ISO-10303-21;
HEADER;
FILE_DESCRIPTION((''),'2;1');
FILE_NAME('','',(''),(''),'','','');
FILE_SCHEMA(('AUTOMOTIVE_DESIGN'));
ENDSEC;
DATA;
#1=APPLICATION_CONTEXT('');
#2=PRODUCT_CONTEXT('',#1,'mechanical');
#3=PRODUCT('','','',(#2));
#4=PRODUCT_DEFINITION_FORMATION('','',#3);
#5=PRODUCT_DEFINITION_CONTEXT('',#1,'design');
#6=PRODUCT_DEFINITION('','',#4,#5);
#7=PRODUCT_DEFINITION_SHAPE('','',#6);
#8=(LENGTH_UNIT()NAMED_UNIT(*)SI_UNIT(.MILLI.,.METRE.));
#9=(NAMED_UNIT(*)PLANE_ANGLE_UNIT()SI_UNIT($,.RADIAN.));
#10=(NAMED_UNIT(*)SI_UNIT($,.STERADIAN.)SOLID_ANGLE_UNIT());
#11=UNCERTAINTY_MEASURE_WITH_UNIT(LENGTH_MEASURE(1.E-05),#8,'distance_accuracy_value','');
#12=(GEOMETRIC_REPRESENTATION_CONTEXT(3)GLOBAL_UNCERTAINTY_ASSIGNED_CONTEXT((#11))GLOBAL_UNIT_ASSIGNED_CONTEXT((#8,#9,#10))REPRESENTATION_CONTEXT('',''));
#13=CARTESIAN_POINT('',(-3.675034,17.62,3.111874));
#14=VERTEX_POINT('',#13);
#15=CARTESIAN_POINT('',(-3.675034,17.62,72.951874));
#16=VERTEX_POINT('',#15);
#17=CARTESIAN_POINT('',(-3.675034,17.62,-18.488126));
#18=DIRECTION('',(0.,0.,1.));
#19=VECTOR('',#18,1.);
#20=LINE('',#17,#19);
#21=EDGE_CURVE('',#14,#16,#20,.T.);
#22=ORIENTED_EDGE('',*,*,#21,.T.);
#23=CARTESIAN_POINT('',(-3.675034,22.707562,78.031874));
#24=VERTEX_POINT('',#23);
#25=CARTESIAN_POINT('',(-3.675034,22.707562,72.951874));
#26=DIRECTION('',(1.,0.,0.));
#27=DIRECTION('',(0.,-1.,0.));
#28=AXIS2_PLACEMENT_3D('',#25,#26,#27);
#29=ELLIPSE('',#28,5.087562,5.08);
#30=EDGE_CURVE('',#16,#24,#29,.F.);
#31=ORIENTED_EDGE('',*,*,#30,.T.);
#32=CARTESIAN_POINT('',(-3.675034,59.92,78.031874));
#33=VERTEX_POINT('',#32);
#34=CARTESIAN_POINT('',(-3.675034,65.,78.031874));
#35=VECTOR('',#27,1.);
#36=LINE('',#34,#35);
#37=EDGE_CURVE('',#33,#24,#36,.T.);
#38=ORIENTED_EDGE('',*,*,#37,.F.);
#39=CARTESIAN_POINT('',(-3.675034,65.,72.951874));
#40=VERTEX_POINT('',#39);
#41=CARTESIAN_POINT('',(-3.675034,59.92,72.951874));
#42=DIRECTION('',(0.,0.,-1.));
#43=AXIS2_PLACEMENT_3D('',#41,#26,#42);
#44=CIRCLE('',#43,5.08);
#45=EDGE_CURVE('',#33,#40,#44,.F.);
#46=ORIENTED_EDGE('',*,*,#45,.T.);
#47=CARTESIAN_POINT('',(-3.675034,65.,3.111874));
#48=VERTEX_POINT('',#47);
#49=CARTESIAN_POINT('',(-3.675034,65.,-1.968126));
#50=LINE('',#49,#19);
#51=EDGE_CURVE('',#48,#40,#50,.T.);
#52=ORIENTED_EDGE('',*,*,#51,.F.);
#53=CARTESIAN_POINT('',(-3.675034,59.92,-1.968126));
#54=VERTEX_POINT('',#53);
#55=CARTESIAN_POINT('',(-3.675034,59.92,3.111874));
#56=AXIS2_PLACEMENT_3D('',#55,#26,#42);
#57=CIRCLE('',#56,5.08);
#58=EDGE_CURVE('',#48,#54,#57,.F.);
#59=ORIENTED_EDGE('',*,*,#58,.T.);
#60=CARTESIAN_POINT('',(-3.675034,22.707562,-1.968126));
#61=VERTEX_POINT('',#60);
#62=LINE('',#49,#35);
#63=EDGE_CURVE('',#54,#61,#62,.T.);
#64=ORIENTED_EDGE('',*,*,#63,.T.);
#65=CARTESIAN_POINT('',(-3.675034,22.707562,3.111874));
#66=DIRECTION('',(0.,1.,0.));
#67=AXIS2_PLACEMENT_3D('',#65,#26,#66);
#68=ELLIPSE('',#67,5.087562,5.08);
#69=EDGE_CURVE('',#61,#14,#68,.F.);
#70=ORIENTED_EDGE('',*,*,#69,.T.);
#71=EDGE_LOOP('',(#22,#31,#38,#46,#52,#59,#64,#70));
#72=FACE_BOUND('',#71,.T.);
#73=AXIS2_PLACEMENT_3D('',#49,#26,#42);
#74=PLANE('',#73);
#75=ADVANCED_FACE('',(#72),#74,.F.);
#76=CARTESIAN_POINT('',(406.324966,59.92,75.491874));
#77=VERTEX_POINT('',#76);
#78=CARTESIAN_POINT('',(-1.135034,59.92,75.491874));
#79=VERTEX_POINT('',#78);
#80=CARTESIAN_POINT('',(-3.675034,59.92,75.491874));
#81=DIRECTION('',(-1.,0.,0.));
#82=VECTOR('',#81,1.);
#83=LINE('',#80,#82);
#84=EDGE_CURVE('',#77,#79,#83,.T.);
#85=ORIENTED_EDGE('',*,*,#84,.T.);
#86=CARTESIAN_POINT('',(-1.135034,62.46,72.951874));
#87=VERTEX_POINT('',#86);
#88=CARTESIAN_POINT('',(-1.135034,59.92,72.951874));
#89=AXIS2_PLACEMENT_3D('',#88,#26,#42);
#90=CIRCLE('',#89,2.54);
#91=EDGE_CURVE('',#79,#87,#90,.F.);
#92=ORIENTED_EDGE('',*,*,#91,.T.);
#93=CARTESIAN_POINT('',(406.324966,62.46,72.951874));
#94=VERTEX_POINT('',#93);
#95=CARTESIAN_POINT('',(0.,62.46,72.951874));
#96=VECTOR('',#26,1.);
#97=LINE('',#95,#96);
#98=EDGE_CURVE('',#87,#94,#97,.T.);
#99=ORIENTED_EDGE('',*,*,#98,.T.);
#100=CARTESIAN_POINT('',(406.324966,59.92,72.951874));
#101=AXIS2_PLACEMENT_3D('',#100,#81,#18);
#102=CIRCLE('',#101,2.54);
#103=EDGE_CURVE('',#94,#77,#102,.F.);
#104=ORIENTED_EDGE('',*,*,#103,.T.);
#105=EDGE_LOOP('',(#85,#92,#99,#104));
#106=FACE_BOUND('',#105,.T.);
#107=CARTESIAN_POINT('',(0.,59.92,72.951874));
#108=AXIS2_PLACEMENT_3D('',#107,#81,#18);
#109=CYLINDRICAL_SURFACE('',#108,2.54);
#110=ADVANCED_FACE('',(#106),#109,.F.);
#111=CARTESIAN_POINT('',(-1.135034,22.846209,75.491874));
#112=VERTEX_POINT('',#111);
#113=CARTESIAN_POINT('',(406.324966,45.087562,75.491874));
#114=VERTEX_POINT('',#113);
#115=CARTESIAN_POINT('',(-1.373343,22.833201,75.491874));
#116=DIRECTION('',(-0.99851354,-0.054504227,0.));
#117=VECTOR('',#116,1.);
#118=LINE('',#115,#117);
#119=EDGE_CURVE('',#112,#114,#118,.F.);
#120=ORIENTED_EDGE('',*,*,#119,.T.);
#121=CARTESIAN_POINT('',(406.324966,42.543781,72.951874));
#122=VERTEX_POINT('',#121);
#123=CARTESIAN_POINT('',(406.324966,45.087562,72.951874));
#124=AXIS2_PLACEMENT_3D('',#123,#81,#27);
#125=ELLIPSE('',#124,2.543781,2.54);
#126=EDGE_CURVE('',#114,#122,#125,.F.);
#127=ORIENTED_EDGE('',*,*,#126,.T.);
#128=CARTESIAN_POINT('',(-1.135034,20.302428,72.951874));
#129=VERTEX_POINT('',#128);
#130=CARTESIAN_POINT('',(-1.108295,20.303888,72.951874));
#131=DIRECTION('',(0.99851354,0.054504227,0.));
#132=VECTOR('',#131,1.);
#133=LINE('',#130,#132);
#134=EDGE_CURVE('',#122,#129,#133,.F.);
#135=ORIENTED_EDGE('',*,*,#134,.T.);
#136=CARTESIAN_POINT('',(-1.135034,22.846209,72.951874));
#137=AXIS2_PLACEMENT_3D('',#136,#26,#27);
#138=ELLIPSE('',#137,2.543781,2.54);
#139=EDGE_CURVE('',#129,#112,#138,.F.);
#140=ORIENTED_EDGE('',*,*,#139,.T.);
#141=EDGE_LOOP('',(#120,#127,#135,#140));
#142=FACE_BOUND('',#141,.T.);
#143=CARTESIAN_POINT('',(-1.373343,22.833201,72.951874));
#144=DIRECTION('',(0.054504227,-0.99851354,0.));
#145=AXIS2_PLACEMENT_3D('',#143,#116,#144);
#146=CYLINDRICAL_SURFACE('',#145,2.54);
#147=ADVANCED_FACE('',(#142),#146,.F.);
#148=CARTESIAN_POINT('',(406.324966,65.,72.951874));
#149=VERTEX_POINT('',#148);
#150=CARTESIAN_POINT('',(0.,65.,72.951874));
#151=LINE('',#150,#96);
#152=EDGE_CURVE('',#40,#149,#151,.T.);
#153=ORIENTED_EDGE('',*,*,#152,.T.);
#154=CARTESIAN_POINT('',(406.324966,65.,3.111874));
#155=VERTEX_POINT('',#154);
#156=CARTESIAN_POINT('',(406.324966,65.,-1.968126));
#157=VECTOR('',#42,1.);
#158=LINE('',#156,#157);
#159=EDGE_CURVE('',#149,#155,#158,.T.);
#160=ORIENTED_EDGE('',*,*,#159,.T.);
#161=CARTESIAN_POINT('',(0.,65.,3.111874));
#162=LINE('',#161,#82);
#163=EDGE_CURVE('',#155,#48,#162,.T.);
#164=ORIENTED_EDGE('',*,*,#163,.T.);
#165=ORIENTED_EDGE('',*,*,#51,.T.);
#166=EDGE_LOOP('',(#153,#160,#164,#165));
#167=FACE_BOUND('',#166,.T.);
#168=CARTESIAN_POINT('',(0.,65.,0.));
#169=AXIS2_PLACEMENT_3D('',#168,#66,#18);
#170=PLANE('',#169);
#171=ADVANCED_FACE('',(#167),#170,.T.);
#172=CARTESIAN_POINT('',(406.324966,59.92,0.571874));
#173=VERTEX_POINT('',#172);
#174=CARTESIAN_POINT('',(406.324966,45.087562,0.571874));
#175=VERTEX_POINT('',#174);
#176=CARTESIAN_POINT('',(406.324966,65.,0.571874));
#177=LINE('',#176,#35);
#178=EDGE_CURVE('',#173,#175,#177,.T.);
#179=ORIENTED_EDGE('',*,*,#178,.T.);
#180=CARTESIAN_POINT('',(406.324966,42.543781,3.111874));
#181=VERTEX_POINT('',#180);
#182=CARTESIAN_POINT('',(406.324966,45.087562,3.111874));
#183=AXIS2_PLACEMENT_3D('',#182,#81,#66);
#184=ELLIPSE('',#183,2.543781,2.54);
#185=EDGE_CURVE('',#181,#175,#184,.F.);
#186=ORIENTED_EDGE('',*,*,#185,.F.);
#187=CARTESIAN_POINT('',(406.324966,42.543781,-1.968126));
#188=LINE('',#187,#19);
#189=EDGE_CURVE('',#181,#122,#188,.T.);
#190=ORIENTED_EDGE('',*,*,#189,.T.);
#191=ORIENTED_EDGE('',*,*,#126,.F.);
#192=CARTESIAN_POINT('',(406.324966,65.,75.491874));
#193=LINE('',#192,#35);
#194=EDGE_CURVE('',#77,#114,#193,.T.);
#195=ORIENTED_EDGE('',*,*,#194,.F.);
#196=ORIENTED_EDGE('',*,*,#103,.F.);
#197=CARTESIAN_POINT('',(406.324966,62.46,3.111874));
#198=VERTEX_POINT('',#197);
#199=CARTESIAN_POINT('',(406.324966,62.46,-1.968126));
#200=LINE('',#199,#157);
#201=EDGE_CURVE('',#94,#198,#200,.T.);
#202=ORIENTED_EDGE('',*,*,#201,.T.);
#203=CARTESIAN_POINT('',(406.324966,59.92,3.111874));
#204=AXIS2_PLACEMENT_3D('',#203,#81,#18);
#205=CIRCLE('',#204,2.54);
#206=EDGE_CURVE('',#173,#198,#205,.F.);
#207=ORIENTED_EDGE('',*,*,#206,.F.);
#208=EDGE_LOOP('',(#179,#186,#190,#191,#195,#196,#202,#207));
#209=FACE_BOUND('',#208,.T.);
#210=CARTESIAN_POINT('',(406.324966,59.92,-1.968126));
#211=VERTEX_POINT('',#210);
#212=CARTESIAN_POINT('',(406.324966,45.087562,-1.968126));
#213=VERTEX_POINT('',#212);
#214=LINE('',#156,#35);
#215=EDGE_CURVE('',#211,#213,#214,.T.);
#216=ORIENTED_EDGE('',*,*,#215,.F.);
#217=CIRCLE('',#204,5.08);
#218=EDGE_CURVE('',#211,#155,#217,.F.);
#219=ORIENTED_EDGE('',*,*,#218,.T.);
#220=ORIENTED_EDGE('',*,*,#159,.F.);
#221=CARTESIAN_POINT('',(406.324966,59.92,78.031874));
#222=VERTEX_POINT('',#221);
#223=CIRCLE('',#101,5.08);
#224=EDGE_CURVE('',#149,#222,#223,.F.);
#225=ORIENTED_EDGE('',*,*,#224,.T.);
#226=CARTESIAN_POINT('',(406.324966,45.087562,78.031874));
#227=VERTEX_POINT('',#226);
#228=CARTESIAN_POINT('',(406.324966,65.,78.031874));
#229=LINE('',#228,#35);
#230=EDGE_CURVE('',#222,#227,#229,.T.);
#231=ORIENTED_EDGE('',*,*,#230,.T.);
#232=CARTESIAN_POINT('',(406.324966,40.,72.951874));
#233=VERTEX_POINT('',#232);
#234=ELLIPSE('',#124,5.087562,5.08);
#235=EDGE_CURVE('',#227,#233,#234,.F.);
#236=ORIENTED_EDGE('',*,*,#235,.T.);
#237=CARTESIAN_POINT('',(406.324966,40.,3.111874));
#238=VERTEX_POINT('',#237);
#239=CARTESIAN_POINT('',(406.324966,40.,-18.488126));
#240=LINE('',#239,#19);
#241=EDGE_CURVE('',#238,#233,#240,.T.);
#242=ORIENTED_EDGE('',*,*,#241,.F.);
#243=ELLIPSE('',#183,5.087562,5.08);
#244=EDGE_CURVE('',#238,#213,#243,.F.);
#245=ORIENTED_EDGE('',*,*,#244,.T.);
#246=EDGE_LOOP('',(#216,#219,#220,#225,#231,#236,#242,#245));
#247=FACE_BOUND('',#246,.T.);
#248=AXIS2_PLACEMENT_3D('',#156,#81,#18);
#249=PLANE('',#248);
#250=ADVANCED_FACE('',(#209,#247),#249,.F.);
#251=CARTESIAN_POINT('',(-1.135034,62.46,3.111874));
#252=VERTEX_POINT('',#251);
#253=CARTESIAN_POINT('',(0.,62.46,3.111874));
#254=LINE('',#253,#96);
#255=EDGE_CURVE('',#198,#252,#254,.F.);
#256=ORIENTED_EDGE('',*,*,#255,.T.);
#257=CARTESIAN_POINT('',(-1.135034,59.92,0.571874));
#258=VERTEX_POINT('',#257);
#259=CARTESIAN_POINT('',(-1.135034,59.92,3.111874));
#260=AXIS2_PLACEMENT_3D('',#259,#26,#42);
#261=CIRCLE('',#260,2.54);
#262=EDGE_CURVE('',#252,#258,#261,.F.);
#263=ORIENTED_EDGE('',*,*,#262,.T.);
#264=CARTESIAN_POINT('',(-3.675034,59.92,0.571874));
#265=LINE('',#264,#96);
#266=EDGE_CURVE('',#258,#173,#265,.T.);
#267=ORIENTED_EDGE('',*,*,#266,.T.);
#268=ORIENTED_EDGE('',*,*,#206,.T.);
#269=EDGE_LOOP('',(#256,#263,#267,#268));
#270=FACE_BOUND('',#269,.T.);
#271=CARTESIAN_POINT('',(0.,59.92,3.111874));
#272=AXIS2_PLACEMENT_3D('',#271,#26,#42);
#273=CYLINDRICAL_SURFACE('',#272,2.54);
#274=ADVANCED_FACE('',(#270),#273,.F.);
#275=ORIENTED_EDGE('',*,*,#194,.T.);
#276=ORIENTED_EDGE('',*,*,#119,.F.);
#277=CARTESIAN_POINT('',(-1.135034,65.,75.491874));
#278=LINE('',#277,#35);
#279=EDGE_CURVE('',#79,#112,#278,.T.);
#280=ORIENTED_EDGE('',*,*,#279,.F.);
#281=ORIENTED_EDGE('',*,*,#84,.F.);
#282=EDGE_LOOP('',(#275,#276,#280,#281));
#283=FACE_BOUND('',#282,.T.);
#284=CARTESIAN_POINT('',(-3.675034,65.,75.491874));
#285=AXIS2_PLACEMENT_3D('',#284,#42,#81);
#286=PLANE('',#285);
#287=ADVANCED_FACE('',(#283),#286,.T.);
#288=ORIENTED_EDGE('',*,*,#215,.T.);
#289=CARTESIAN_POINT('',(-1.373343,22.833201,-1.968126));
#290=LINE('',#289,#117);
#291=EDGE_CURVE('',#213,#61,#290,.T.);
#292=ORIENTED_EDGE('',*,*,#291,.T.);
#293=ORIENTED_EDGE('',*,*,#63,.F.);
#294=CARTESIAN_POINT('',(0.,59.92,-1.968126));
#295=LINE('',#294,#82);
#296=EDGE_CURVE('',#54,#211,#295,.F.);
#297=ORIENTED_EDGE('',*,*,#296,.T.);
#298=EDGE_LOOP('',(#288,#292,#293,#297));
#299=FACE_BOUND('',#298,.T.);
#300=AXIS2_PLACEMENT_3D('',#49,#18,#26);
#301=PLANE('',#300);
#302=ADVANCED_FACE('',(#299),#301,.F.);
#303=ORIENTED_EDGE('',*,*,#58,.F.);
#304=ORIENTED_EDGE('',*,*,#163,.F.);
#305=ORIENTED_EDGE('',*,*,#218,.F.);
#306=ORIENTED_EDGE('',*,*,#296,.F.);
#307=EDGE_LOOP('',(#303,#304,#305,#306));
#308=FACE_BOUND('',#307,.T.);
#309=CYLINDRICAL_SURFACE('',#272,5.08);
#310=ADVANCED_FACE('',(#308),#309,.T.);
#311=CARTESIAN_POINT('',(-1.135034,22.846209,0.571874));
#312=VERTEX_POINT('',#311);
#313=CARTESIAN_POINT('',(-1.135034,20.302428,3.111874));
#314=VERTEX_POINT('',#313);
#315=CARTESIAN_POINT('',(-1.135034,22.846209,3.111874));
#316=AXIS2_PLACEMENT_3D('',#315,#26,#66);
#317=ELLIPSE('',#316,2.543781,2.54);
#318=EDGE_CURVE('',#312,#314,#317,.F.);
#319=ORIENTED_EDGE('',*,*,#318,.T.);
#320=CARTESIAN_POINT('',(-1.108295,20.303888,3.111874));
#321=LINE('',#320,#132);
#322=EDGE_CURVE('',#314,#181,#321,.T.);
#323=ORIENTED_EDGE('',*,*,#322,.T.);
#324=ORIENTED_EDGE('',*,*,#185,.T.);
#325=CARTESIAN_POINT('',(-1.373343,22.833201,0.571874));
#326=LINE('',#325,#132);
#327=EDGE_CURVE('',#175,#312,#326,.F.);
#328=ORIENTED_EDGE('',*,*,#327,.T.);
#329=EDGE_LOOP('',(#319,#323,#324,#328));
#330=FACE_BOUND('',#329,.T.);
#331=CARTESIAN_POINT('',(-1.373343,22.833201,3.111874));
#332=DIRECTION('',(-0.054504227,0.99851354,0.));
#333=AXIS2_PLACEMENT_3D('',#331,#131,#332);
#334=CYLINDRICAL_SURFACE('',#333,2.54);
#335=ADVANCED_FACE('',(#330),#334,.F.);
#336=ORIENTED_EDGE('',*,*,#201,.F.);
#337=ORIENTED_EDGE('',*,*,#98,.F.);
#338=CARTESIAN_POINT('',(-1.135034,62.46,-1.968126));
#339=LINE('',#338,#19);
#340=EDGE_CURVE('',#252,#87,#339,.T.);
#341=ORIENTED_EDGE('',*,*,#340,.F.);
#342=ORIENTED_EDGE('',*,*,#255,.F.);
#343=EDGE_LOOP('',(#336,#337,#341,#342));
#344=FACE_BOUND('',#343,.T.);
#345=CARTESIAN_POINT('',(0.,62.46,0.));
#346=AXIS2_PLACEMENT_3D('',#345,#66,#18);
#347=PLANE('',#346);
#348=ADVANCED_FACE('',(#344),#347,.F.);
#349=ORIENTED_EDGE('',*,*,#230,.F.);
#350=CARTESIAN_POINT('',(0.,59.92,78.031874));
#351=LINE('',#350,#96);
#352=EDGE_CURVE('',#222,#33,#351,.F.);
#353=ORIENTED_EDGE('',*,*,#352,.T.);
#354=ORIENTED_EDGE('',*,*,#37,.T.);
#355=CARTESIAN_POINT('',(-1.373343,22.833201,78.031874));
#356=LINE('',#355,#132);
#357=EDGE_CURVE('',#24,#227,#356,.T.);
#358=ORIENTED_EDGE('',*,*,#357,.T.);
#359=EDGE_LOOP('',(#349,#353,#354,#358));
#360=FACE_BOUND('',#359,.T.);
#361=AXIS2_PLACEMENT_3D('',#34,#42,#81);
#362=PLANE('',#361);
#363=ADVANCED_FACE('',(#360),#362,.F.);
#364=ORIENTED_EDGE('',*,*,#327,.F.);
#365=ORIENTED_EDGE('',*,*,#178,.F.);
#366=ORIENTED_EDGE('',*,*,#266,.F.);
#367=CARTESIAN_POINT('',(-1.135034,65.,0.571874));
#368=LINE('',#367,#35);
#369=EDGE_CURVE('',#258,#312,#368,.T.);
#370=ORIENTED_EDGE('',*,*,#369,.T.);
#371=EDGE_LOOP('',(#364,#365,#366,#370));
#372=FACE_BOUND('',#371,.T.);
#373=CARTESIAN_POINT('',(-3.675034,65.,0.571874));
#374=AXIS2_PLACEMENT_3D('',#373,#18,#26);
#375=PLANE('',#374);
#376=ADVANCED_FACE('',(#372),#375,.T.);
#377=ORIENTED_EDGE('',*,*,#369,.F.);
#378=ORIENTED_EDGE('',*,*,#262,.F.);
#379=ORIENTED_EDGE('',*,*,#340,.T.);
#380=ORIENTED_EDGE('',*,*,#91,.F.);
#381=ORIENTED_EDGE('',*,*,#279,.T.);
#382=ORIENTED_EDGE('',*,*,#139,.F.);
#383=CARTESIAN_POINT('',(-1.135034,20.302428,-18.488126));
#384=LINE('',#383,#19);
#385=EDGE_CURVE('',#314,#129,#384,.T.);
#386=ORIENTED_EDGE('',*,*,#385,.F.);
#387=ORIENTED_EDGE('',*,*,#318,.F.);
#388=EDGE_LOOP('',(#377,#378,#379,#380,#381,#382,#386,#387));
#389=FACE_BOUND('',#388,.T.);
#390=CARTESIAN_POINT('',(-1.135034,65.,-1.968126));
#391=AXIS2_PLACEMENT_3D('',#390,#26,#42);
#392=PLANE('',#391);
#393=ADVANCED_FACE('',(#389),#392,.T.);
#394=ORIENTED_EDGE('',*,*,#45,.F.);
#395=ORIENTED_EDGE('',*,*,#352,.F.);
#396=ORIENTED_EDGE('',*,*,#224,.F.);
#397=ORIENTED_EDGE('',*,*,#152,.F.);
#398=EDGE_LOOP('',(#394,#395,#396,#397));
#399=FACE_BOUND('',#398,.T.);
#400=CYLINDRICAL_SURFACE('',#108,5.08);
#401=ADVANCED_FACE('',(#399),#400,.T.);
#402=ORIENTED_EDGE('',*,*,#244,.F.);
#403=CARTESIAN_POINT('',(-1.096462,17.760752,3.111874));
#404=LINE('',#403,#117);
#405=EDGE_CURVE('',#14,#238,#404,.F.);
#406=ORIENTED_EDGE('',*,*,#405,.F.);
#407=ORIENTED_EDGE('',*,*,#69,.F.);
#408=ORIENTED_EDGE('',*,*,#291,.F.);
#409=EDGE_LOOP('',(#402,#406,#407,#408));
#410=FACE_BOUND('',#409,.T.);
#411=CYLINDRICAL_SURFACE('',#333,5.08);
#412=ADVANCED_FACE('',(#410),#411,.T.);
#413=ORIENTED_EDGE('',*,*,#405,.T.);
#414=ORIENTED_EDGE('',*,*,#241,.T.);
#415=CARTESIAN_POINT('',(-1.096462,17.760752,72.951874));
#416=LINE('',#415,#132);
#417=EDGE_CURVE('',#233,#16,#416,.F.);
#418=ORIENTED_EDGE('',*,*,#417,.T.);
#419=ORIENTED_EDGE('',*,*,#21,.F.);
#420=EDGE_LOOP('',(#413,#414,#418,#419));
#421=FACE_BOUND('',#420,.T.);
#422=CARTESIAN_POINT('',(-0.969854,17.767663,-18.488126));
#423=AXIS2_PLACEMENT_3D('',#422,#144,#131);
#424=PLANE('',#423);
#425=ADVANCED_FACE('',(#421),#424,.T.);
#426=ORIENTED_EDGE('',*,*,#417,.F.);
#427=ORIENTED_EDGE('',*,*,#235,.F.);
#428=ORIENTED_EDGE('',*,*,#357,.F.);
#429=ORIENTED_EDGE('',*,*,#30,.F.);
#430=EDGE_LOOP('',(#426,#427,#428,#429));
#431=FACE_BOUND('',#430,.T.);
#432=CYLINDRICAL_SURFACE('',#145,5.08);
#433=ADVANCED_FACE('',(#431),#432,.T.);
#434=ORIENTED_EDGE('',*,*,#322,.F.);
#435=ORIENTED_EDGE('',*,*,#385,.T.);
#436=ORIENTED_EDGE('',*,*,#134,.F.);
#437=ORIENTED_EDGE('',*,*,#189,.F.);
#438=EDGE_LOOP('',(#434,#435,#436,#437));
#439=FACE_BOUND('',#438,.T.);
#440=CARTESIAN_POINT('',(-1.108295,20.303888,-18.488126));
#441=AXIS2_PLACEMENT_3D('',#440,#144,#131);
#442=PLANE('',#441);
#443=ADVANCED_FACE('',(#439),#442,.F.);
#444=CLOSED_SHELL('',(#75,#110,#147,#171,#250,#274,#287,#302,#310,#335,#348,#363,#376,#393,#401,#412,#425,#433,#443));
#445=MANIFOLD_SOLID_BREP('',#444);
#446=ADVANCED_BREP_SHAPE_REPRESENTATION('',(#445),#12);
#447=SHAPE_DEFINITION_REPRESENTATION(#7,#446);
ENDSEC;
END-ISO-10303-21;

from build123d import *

# Parameters (mm, degrees)
SKETCH1_W           = 410
SKETCH1_H           = 80.00000002
BOSS_EXTRUDE1_DEPTH = 65
CUT_EXTRUDE1_DEPTH  = 96.52
FILLET1_R           = 5.08
FILLET2_R           = 5.08
FILLET3_R           = 5.08
FILLET4_R           = 5.08
SHELL2_T            = -2.54


with BuildPart() as part:
    # Sketch1 → Boss-Extrude1 (new body)
    with BuildSketch(Plane(origin=(0, 0, 0), x_dir=(1, 0, 0), z_dir=(0, 1, 0))):
        with Locations((201.324966403, -38.031873554)):
            Rectangle(SKETCH1_W, SKETCH1_H)
    extrude(amount=BOSS_EXTRUDE1_DEPTH)

    # Sketch3 → Cut-Extrude1 (cut)
    with BuildSketch(Plane.XY.offset(78.031873564)):
        Polygon((-3.675033597, 17.620000018), (406.324966403, 40), (452.471299635, -78.145402135), (-12.284026323, -65.583685792), (-43.531224316, 90.933184559), align=None)
    extrude(amount=-CUT_EXTRUDE1_DEPTH, mode=Mode.SUBTRACT)

    # Fillet1
    fillet1_edges = [part.edges().sort_by_distance(p)[0] for p in [
        (201.324966403, 65, 78.031873564),
    ]]
    fillet(fillet1_edges, radius=FILLET1_R)

    # Fillet2
    fillet2_edges = [part.edges().sort_by_distance(p)[0] for p in [
        (201.324966403, 28.810000009, 78.031873564),
    ]]
    fillet(fillet2_edges, radius=FILLET2_R)

    # Fillet3
    fillet3_edges = [part.edges().sort_by_distance(p)[0] for p in [
        (201.324966403, 65, -1.968126456),
    ]]
    fillet(fillet3_edges, radius=FILLET3_R)

    # Fillet4
    fillet4_edges = [part.edges().sort_by_distance(p)[0] for p in [
        (201.324966403, 28.810000009, -1.968126456),
    ]]
    fillet(fillet4_edges, radius=FILLET4_R)

    # Shell2
    shell2_openings = [part.faces().sort_by_distance(p)[0] for p in [
        (406.324966403, 52.501499056, 38.031873554),
    ]]
    offset(amount=SHELL2_T, openings=shell2_openings, kind=Kind.INTERSECTION)


solid = part.part
